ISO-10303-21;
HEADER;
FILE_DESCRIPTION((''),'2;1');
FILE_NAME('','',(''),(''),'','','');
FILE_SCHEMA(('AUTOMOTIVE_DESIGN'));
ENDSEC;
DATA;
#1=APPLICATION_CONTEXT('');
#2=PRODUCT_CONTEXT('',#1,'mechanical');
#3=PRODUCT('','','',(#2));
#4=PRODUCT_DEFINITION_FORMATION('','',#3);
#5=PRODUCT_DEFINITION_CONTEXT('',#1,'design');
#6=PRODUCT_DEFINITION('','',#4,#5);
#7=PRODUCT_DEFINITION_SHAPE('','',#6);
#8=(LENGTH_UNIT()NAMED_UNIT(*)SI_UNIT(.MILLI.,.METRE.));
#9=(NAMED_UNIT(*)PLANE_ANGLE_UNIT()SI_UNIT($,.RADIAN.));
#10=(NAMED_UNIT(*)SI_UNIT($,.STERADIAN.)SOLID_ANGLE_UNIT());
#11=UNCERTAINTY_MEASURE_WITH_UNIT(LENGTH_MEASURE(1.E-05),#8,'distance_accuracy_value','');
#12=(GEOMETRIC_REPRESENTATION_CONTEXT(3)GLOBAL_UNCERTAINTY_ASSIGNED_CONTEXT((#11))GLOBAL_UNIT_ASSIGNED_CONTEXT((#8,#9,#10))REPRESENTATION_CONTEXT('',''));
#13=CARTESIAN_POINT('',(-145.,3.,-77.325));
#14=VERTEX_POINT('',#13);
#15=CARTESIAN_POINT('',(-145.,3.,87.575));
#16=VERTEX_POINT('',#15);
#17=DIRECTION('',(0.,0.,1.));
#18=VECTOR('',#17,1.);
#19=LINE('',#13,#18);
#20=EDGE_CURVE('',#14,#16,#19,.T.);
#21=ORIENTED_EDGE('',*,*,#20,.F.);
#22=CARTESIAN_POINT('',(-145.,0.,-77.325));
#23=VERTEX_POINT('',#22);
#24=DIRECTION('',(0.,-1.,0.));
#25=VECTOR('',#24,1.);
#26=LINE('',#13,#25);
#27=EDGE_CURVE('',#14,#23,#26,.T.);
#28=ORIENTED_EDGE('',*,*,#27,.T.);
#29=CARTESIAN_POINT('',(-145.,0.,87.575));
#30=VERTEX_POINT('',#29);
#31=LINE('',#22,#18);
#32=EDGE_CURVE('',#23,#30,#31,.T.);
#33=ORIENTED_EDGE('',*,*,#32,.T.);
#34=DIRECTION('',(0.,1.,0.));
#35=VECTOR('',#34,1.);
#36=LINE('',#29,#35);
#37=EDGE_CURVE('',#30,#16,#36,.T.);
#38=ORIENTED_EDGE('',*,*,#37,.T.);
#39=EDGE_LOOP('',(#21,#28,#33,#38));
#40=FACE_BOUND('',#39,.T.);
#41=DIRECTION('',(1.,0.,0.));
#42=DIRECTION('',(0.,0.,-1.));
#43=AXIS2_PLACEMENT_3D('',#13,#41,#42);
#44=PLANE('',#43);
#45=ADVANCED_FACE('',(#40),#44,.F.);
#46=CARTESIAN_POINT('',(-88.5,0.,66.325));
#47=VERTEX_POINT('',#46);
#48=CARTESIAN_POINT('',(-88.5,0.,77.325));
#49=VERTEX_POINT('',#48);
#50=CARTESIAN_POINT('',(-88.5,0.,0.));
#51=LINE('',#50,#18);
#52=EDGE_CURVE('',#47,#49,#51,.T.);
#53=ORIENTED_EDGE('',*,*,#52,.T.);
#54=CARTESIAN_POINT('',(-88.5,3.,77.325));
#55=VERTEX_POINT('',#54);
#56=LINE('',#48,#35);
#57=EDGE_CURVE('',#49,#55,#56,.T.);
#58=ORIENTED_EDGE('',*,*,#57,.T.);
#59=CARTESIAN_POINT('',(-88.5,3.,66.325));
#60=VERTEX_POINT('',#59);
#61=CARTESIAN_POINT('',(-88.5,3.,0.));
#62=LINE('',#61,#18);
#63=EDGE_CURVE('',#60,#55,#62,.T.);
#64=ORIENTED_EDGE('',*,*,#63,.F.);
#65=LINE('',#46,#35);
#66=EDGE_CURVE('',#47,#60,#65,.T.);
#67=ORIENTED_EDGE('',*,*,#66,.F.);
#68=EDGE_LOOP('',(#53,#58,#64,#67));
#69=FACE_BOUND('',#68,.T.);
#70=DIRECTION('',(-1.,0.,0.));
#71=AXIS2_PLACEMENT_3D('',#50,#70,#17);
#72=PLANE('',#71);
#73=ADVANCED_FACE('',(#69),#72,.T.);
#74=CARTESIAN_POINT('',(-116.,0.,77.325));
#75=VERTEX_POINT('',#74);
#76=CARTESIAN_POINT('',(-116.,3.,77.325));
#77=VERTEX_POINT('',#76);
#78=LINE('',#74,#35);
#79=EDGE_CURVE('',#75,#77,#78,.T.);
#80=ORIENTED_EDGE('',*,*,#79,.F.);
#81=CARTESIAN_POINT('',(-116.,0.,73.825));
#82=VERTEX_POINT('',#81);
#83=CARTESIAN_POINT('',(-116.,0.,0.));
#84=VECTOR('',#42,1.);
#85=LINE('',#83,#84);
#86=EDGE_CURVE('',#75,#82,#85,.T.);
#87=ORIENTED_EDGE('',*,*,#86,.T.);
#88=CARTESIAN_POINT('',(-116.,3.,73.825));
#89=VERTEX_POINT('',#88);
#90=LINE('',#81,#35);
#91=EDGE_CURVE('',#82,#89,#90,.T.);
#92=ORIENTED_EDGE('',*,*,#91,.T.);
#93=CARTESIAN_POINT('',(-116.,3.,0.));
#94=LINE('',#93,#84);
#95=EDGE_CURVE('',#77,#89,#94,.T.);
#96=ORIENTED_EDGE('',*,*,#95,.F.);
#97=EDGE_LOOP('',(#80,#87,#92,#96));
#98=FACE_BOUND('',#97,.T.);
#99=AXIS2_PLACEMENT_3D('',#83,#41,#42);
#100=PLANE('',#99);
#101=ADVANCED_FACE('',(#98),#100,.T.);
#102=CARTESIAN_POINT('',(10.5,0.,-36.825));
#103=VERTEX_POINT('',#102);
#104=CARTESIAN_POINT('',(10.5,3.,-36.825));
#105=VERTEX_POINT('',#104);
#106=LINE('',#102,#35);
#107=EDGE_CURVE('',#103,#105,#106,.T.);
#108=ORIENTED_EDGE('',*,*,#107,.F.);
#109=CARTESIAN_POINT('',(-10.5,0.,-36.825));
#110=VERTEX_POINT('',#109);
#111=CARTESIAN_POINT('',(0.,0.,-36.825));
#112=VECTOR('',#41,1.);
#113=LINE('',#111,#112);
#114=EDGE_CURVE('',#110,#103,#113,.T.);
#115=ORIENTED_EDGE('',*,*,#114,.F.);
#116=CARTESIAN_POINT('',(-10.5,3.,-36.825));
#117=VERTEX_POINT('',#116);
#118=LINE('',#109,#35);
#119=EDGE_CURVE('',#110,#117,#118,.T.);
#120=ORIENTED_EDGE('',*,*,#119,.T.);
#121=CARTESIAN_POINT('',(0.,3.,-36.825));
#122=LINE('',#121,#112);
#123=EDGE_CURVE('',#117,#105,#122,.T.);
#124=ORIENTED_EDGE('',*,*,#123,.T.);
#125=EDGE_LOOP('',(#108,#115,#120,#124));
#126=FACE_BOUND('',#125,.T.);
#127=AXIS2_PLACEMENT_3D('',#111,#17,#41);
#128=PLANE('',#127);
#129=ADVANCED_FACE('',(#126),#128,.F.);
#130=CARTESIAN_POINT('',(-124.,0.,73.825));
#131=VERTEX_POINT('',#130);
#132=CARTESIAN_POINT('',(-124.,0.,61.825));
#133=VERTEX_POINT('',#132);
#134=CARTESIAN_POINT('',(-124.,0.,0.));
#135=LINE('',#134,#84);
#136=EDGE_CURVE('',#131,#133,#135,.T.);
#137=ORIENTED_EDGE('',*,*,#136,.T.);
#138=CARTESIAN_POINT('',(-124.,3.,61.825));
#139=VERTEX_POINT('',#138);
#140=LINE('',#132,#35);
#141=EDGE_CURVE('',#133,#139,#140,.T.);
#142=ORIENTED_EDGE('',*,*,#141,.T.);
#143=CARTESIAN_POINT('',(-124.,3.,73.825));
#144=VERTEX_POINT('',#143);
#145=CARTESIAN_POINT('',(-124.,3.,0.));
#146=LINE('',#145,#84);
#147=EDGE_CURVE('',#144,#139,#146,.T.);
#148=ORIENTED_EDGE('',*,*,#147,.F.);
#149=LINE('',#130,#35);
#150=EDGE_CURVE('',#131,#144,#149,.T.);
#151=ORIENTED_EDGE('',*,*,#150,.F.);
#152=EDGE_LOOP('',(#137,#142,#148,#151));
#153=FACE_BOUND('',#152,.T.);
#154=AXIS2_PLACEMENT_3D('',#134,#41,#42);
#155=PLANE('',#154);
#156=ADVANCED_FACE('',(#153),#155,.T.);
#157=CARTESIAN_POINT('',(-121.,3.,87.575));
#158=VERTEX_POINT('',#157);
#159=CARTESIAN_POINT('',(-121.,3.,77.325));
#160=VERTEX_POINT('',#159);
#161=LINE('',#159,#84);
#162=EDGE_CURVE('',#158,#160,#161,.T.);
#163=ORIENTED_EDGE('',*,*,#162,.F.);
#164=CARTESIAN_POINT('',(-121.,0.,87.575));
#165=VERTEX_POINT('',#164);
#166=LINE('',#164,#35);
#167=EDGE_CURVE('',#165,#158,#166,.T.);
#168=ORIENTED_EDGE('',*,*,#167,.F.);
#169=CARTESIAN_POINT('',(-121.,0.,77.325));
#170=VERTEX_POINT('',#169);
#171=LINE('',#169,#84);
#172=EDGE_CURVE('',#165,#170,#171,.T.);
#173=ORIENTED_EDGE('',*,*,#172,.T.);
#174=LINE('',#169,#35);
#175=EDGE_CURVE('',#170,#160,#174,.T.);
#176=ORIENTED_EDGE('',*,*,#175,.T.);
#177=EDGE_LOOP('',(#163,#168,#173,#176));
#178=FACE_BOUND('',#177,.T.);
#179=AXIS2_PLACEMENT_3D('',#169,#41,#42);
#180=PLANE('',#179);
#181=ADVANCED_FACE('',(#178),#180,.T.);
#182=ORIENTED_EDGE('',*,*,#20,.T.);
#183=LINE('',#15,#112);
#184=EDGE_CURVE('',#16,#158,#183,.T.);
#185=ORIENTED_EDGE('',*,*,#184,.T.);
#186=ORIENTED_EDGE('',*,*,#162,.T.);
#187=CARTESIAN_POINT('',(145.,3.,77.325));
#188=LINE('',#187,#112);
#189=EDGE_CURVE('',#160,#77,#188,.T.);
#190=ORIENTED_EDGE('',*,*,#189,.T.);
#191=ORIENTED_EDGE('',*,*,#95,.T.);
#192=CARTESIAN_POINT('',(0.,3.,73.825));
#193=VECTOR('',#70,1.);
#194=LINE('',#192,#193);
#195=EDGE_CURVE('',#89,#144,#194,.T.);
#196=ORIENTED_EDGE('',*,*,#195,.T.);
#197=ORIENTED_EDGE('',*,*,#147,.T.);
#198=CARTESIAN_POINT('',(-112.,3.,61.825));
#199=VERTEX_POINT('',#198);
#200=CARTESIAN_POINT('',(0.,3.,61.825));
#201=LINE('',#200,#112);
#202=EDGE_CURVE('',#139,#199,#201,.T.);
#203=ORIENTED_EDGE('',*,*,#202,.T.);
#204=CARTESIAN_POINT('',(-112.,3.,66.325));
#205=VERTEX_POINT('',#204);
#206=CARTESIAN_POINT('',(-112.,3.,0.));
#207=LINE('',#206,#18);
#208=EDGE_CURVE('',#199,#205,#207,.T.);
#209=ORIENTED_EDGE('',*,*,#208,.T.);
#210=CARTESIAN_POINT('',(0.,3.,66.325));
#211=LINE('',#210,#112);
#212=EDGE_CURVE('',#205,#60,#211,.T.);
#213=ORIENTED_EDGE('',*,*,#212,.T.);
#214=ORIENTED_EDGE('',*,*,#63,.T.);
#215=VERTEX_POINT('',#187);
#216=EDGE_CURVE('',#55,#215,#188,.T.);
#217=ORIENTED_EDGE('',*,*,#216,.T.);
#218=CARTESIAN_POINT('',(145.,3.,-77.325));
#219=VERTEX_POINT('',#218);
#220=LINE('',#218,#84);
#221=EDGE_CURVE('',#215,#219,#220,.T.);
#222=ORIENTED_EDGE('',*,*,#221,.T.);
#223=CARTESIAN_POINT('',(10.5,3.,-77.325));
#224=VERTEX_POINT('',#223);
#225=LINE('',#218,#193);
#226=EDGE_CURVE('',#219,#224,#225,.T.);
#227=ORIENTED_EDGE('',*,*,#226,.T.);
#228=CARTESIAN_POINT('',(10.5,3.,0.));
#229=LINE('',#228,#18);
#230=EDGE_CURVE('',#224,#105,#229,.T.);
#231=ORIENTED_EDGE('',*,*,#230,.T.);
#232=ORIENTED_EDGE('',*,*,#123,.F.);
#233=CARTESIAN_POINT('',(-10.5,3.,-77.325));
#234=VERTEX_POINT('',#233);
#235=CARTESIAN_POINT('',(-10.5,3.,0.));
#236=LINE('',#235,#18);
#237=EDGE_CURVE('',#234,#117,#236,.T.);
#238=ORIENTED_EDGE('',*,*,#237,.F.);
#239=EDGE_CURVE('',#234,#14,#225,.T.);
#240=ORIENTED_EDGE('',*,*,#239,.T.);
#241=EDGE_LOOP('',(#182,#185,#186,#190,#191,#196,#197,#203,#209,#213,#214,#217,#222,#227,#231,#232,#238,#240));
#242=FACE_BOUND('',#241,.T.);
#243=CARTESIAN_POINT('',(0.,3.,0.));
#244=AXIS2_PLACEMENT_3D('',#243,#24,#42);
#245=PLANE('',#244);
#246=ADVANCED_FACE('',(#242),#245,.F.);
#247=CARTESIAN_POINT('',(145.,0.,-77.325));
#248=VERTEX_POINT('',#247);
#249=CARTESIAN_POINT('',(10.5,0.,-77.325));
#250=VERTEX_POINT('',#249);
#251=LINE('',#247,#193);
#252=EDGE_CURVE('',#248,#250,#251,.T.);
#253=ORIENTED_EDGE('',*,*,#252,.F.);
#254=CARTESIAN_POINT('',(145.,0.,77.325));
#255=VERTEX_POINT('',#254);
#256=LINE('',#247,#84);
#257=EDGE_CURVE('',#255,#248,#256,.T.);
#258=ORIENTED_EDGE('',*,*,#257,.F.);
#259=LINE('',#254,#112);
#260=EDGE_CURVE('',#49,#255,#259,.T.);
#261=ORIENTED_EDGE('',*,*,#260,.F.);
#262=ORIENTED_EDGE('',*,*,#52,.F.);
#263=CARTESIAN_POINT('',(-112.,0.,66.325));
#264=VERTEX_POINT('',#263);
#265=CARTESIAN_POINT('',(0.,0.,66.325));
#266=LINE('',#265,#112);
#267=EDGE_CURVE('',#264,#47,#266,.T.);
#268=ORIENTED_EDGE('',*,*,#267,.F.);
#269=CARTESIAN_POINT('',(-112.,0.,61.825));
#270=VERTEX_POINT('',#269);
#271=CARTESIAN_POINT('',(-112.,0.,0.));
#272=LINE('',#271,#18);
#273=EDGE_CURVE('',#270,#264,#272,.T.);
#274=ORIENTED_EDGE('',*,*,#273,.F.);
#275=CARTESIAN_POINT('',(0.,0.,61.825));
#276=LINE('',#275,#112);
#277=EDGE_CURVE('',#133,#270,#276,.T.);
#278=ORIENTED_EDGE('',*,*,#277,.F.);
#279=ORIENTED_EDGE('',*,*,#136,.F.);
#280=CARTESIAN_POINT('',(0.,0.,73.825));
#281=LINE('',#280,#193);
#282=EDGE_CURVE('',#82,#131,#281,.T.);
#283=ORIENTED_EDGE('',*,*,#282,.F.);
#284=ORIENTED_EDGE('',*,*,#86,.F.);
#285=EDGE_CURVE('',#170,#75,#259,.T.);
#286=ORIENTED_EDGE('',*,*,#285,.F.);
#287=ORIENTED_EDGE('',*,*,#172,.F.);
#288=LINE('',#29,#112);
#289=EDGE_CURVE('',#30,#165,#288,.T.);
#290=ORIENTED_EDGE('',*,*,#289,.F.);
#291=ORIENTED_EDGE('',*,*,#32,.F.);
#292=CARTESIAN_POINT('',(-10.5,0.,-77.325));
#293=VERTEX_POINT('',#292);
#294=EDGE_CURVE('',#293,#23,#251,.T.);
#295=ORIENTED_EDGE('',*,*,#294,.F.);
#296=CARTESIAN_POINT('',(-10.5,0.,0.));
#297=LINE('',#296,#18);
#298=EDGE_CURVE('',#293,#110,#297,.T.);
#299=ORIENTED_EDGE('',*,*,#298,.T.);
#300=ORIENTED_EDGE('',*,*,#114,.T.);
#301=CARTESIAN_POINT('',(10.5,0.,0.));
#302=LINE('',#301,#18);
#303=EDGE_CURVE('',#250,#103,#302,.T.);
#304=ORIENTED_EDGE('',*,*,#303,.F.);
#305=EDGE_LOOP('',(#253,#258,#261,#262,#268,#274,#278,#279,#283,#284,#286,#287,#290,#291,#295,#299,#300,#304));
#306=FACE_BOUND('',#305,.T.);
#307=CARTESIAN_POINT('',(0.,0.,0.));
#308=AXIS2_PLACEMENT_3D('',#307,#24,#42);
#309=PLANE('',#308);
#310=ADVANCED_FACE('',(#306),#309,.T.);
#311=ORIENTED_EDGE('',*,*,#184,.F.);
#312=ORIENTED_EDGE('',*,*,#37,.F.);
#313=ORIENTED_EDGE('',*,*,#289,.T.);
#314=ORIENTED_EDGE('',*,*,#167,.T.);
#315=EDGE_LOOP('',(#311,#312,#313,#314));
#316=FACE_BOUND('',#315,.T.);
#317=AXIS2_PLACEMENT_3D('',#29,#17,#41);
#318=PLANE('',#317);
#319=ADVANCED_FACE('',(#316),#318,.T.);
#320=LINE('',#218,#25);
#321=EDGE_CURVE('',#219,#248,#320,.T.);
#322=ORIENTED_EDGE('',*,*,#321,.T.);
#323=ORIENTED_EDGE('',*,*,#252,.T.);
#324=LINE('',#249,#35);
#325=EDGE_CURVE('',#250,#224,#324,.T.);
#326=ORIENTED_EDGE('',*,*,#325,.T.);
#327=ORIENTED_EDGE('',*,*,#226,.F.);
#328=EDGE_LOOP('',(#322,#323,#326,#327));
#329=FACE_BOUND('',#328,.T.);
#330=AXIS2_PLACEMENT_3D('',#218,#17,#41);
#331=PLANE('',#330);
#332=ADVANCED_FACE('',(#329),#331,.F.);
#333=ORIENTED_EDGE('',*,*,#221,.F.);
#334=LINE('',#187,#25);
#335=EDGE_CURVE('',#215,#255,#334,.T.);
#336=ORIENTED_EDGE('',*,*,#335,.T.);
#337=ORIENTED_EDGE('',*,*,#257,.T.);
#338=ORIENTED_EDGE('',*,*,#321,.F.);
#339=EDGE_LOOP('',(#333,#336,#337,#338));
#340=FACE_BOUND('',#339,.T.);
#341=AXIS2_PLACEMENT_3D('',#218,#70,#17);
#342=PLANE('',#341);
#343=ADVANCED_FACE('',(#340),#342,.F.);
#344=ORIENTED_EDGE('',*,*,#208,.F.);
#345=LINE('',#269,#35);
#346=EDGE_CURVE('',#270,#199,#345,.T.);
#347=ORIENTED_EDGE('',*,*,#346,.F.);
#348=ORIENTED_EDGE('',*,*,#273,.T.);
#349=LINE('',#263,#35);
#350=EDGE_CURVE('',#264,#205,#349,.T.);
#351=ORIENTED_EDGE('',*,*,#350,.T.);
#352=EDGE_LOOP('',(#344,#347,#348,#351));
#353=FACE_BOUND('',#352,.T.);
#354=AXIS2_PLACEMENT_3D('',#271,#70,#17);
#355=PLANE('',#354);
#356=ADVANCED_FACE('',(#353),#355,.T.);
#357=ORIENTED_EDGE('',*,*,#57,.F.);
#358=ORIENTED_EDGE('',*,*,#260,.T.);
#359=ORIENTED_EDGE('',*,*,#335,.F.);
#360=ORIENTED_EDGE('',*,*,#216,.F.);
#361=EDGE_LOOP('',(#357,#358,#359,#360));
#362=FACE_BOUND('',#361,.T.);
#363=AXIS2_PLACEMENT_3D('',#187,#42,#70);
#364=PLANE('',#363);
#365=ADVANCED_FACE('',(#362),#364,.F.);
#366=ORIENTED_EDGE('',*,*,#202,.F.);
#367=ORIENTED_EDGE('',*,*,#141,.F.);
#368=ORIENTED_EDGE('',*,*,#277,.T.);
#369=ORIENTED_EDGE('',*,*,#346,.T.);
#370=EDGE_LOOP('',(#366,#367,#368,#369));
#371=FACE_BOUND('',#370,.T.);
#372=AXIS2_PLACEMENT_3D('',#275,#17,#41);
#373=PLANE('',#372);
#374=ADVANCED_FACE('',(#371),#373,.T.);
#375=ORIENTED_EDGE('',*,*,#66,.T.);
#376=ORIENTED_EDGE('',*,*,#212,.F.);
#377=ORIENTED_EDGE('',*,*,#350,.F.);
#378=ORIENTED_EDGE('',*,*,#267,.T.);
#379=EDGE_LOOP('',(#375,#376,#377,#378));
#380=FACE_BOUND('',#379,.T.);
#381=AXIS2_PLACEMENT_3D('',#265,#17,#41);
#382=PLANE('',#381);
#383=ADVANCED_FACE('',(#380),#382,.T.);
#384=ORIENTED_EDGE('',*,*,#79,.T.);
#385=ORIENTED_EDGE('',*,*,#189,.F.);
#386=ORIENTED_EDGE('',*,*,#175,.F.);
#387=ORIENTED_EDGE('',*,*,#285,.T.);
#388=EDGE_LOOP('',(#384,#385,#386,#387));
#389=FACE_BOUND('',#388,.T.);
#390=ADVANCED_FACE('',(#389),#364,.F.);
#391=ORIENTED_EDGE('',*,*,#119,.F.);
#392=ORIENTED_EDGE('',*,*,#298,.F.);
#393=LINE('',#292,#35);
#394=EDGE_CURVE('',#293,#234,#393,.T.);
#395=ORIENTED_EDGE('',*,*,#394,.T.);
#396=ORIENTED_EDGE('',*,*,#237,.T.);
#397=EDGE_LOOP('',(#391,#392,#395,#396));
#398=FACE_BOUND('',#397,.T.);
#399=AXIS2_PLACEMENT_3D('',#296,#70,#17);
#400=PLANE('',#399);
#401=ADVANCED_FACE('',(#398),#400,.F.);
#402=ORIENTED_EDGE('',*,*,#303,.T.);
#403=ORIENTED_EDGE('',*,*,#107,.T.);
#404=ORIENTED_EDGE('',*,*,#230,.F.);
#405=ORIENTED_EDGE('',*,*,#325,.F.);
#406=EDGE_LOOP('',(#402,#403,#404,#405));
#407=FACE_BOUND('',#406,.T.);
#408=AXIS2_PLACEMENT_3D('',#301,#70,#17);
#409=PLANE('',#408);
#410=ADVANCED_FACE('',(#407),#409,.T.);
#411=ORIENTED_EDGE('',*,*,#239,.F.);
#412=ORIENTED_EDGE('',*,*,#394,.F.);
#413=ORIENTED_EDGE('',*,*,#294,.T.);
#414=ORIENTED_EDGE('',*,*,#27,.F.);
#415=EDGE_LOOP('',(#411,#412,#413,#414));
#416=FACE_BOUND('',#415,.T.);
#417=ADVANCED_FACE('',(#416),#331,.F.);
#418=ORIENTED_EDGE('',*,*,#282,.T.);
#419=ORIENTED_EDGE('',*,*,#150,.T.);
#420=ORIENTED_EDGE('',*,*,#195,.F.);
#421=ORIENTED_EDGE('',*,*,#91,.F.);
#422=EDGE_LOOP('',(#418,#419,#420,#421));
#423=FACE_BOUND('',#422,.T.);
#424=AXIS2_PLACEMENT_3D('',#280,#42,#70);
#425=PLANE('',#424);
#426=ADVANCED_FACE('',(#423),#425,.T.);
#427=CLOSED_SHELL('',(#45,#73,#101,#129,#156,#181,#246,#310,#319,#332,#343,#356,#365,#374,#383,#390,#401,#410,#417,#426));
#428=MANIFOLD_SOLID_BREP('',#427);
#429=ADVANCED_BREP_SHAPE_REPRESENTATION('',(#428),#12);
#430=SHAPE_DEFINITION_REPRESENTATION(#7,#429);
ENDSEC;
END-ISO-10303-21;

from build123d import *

# Parameters (mm, degrees)
SKETCH1_W           = 290
SKETCH1_H           = 154.65
BOSS_EXTRUDE1_DEPTH = 3
SKETCH2_W           = 21
SKETCH2_H           = 40.5
CUT_EXTRUDE1_DEPTH  = 165.356793669
CUT_EXTRUDE2_DEPTH  = 165.356793669
SKETCH4_W           = 24
SKETCH4_H           = 10.25
BOSS_EXTRUDE2_DEPTH = 3


with BuildPart() as part:
    # Sketch1 → Boss-Extrude1 (new body)
    with BuildSketch(Plane(origin=(0, 0, 0), x_dir=(1, 0, 0), z_dir=(0, 1, 0))):
        Rectangle(SKETCH1_W, SKETCH1_H)
    extrude(amount=BOSS_EXTRUDE1_DEPTH)

    # Sketch2 → Cut-Extrude1 (cut, through all)
    with BuildSketch(Plane(origin=(0, 3, 0), x_dir=(1, 0, 0), z_dir=(0, 1, 0))):
        with Locations((0, 57.075)):
            Rectangle(SKETCH2_W, SKETCH2_H)
    extrude(amount=-CUT_EXTRUDE1_DEPTH, mode=Mode.SUBTRACT)

    # Sketch3 → Cut-Extrude2 (cut, through all)
    with BuildSketch(Plane(origin=(0, 3, 0), x_dir=(1, 0, 0), z_dir=(0, 1, 0))):
        Polygon((-116, -73.825), (-116, -77.325), (-88.5, -77.325), (-88.5, -66.325), (-112, -66.325), (-112, -61.825), (-124, -61.825), (-124, -73.825), align=None)
    extrude(amount=-CUT_EXTRUDE2_DEPTH, mode=Mode.SUBTRACT)

    # Sketch4 → Boss-Extrude2 (add, through all)
    with BuildSketch(Plane(origin=(0, 3, 0), x_dir=(1, 0, 0), z_dir=(0, 1, 0))):
        with Locations((-133, -82.45)):
            Rectangle(SKETCH4_W, SKETCH4_H)
    extrude(amount=-BOSS_EXTRUDE2_DEPTH)


solid = part.part
